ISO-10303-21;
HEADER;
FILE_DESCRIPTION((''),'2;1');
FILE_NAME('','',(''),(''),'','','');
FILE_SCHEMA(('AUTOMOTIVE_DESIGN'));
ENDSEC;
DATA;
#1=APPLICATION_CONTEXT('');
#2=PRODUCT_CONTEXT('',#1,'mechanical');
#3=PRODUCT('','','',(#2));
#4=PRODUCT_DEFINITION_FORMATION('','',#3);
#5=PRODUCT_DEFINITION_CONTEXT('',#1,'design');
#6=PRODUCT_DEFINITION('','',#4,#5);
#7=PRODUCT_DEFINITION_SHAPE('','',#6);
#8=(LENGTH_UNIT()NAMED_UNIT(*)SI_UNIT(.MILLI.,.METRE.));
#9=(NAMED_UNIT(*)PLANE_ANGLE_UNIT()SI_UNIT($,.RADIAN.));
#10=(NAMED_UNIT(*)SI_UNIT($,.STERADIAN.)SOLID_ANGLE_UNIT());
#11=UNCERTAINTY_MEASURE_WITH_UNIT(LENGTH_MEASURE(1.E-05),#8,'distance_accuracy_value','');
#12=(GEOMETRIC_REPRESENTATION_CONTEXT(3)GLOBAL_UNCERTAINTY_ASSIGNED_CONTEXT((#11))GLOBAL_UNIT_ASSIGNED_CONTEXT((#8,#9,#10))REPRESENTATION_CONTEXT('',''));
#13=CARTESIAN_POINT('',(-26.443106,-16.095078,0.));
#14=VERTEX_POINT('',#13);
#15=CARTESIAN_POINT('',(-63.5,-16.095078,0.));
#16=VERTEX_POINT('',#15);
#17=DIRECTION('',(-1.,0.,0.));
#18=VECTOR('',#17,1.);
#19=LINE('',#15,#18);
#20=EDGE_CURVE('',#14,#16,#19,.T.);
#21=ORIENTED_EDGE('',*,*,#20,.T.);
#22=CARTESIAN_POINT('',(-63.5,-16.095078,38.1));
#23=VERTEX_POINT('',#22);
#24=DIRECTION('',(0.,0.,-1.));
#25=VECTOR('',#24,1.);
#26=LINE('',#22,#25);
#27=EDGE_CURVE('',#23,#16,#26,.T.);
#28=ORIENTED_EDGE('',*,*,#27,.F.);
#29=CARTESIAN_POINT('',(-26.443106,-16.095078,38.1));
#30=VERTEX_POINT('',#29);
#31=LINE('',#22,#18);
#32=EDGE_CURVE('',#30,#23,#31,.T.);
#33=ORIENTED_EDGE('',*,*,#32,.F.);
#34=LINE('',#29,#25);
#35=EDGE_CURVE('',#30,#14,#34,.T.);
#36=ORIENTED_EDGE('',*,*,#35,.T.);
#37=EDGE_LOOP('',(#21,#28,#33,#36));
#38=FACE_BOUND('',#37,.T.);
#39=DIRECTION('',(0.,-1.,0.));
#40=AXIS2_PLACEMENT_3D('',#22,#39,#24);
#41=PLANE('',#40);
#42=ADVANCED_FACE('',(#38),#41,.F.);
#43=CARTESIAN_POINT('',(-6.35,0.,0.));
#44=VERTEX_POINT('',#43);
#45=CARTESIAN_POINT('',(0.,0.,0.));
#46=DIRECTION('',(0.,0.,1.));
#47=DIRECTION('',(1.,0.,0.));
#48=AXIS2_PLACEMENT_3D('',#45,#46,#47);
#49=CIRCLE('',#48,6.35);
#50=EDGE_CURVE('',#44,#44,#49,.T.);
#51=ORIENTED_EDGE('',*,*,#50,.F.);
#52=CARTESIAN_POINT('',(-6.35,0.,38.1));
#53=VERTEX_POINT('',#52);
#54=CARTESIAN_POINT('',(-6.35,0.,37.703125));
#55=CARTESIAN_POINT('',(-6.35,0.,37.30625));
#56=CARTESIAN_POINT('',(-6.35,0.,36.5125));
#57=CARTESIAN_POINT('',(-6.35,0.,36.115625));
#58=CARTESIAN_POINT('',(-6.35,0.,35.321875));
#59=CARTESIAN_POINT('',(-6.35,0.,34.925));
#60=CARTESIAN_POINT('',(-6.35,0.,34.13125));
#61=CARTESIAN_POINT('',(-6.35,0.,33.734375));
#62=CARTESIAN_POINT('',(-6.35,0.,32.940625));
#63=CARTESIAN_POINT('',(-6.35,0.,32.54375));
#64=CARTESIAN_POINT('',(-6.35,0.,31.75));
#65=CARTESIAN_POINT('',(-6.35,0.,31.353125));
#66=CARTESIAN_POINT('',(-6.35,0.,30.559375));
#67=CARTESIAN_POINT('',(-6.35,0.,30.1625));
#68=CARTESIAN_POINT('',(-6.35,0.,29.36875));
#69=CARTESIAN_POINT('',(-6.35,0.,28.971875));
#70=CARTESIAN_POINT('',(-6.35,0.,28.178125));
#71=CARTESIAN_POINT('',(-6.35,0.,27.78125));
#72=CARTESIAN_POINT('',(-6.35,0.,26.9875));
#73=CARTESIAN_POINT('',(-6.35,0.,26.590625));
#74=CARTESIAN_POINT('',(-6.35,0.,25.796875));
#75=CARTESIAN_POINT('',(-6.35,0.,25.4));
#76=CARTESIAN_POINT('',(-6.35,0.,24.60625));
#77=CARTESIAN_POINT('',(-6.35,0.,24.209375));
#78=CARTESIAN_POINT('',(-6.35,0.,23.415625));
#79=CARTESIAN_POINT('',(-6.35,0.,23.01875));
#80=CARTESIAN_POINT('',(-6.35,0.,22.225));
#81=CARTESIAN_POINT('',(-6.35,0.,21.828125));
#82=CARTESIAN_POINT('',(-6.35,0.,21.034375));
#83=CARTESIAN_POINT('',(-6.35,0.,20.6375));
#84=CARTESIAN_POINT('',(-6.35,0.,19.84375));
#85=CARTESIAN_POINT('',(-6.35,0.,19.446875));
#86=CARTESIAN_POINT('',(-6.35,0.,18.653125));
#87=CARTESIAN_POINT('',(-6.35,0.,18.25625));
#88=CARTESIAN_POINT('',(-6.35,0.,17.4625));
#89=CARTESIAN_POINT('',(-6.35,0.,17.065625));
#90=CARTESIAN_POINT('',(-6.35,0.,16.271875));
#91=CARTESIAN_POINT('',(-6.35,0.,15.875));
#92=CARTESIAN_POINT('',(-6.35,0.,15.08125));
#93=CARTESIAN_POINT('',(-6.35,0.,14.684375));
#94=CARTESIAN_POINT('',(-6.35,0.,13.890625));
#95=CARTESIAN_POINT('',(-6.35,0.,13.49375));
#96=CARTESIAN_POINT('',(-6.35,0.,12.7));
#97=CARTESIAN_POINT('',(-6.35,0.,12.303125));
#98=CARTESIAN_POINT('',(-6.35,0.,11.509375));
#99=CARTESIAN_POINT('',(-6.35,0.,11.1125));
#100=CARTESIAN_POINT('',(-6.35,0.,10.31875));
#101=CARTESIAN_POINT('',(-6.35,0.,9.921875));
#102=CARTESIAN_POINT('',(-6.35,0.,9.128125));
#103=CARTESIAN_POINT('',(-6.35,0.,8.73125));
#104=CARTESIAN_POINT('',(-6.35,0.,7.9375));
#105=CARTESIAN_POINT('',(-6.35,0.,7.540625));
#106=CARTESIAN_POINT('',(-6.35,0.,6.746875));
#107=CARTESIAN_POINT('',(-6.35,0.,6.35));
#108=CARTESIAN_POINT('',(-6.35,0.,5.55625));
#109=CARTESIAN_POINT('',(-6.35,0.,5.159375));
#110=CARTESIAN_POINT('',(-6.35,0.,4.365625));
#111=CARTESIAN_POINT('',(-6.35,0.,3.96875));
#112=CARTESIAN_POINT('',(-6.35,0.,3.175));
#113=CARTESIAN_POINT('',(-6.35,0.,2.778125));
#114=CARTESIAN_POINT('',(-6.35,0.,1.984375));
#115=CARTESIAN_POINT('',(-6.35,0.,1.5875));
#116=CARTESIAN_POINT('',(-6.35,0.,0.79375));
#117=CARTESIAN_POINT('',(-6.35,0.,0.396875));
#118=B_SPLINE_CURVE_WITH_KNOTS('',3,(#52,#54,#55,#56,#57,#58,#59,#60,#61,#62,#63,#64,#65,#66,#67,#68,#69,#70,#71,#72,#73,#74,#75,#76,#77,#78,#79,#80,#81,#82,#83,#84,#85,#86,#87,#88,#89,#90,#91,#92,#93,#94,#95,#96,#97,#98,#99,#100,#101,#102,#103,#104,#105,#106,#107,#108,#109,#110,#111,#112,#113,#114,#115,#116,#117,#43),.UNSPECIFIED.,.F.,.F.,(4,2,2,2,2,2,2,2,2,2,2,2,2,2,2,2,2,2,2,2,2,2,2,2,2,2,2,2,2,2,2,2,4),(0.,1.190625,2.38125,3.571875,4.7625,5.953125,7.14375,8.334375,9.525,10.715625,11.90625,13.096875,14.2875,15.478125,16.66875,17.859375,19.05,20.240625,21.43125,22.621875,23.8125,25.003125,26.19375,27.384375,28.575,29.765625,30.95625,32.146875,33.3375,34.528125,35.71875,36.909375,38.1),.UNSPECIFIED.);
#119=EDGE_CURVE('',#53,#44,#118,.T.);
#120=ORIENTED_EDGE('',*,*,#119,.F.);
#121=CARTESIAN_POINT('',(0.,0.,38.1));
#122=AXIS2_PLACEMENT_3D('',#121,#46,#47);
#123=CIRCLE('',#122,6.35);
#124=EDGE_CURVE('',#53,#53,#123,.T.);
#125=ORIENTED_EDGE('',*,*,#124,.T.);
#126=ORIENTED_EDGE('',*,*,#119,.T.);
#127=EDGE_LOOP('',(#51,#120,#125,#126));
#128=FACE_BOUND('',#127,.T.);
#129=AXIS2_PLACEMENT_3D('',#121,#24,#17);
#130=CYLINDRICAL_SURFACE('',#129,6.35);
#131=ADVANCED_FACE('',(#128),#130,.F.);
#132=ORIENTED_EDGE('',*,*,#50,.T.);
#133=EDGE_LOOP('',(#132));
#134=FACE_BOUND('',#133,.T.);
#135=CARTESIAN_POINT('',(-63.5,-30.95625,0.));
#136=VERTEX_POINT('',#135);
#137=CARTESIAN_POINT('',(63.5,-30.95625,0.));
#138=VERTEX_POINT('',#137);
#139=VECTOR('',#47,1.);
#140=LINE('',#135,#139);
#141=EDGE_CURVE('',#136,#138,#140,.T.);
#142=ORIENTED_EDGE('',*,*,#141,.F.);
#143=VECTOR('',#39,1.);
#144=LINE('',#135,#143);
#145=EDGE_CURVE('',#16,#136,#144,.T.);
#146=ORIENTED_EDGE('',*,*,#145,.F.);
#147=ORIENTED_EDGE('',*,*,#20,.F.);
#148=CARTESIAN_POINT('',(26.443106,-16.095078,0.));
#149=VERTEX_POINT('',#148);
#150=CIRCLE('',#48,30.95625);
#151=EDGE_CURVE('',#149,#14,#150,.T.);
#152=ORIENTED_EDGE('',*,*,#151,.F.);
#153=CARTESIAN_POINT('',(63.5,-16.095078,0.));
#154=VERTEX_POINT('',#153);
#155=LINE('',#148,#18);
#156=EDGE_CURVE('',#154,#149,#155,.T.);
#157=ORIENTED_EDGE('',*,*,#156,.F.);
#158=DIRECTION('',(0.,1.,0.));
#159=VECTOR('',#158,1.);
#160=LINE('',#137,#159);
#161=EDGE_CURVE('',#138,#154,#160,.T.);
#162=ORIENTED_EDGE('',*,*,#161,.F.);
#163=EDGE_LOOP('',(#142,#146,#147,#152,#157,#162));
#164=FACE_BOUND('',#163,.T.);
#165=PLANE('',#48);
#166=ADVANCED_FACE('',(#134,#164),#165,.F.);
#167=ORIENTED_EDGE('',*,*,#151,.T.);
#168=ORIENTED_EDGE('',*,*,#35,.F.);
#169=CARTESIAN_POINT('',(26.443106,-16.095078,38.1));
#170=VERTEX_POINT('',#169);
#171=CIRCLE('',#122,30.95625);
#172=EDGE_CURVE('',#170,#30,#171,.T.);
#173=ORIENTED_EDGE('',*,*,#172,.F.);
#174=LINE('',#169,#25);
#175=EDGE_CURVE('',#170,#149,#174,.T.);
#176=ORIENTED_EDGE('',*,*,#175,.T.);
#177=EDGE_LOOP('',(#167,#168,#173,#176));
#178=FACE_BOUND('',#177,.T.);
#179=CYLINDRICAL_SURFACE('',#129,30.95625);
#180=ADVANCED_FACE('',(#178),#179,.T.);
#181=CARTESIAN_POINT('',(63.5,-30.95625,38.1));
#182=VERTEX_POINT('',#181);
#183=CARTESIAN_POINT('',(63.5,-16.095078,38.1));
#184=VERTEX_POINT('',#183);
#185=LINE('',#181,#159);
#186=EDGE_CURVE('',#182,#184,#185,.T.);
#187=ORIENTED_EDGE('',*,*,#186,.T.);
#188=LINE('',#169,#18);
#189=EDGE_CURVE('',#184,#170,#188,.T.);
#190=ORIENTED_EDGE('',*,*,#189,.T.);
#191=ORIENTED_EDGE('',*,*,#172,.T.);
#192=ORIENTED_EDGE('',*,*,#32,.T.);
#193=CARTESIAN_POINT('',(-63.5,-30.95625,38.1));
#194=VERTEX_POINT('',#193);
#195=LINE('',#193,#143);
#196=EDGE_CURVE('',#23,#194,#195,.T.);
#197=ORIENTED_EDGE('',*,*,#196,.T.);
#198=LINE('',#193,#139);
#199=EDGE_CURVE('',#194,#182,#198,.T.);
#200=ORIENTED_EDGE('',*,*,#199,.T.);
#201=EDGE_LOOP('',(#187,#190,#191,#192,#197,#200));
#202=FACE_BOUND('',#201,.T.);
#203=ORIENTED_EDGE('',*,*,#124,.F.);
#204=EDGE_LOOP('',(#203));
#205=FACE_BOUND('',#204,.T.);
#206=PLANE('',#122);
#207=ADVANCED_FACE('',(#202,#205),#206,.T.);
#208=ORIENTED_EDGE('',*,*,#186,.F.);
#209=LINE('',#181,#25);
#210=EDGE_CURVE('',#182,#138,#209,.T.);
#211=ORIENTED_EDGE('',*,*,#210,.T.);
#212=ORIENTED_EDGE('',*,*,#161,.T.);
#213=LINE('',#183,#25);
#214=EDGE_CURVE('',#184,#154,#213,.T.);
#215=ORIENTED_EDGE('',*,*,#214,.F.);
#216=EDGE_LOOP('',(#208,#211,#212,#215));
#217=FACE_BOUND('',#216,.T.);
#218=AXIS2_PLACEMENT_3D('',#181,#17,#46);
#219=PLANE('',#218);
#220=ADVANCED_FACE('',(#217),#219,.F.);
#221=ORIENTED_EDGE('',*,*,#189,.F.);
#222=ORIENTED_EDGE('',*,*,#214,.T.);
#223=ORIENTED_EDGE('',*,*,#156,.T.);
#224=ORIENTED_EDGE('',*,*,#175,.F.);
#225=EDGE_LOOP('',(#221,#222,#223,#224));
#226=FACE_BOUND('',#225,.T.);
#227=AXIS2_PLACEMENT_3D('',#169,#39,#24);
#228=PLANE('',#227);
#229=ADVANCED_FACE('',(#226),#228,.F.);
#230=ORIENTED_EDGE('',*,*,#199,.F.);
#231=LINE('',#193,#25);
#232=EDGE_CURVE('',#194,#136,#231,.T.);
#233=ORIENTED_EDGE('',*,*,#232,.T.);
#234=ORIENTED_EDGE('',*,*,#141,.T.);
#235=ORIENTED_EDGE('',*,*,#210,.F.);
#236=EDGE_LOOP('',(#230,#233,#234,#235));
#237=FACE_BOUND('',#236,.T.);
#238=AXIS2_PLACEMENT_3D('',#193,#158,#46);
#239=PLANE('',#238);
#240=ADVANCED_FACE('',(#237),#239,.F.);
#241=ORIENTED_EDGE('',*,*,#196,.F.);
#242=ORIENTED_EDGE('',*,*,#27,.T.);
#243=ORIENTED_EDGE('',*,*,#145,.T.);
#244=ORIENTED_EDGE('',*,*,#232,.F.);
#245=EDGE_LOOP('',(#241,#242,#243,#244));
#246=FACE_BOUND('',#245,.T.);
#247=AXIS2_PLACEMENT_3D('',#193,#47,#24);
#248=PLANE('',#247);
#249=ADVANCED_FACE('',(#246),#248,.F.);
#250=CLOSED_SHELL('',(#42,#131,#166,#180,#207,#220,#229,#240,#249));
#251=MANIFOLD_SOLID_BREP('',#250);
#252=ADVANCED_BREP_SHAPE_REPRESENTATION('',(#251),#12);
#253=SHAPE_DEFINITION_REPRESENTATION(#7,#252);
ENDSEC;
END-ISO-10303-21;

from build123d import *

# Parameters (mm, degrees)
SKETCH2_R           = 6.35
BOSS_EXTRUDE1_DEPTH = 38.1


with BuildPart() as part:
    # Sketch2 → Boss-Extrude1 (new body)
    with BuildSketch(Plane.XY):
        with BuildLine():
            Line((26.443106469, -16.095077953), (63.5, -16.095077953))
            Line((63.5, -16.095077953), (63.5, -30.95625))
            Line((63.5, -30.95625), (-63.5, -30.95625))
            Line((-63.5, -30.95625), (-63.5, -16.095077953))
            Line((-63.5, -16.095077953), (-26.443106469, -16.095077953))
            ThreePointArc((-26.443106469, -16.095077953), (0, 30.95625), (26.443106469, -16.095077953))
        make_face()
        with Locations(Location((0, 0, 0), (0, 0, 180))):
            Circle(SKETCH2_R, mode=Mode.SUBTRACT)
    extrude(amount=BOSS_EXTRUDE1_DEPTH)


solid = part.part
